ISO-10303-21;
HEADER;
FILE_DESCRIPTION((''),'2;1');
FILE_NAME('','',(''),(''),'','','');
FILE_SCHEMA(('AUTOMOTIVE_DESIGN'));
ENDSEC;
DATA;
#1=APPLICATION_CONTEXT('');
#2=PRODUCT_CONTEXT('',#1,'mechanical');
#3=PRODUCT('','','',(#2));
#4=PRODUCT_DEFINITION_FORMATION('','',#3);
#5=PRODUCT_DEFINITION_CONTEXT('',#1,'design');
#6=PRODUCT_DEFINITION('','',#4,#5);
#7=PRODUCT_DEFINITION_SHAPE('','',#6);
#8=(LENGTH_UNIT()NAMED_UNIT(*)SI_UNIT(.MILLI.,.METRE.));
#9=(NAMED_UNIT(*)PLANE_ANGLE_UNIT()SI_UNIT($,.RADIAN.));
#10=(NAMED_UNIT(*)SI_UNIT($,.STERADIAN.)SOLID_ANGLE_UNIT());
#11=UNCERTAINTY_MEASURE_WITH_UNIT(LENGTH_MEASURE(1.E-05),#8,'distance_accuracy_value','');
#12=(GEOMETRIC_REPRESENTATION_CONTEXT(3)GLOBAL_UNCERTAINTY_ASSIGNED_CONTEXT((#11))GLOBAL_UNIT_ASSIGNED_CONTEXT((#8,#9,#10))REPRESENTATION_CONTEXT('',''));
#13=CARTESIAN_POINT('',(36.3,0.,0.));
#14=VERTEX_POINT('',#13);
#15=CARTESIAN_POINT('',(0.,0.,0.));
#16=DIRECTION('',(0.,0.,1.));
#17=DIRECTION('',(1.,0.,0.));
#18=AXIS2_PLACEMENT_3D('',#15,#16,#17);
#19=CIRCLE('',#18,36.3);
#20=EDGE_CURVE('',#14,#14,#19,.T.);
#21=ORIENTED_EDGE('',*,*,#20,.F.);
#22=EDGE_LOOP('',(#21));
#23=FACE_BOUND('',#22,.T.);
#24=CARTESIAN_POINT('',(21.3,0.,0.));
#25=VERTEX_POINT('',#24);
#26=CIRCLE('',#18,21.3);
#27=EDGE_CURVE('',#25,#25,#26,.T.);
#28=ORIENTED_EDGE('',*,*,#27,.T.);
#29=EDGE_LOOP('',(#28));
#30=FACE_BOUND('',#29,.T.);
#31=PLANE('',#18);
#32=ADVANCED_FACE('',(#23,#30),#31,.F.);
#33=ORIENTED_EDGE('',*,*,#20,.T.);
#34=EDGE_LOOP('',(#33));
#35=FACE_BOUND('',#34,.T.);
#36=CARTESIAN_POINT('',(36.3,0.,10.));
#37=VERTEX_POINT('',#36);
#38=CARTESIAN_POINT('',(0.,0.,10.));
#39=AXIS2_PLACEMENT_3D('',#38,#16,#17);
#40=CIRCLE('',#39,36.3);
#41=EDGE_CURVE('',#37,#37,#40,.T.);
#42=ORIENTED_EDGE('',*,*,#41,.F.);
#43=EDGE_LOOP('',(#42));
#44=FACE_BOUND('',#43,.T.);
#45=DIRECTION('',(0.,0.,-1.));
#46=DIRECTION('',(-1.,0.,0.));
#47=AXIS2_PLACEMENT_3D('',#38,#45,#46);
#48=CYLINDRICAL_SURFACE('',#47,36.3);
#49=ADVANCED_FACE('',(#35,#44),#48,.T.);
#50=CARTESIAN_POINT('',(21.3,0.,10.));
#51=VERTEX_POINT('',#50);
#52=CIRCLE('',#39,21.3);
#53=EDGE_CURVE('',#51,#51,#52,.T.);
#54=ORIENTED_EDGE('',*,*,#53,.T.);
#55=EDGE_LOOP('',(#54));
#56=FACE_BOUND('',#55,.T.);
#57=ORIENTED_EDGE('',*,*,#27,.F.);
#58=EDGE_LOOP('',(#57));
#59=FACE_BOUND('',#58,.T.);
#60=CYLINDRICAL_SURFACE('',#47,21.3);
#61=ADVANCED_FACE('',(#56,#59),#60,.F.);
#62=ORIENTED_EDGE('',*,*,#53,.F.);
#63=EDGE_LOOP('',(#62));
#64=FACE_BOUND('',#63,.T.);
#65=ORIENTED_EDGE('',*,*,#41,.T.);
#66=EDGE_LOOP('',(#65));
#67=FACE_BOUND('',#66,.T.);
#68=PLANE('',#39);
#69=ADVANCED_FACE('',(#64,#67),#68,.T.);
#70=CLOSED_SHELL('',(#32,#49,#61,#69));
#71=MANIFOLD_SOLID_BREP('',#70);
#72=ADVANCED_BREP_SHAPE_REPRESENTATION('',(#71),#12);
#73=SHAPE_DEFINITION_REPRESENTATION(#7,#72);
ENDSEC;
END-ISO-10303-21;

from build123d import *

# Parameters (mm, degrees)
SKETCH1_R           = 36.3
SKETCH1_R_2         = 21.3
BOSS_EXTRUDE1_DEPTH = 10


with BuildPart() as part:
    # Sketch1 → Boss-Extrude1 (new body)
    with BuildSketch(Plane.XY):
        Circle(SKETCH1_R)
        Circle(SKETCH1_R_2, mode=Mode.SUBTRACT)
    extrude(amount=BOSS_EXTRUDE1_DEPTH)


solid = part.part
